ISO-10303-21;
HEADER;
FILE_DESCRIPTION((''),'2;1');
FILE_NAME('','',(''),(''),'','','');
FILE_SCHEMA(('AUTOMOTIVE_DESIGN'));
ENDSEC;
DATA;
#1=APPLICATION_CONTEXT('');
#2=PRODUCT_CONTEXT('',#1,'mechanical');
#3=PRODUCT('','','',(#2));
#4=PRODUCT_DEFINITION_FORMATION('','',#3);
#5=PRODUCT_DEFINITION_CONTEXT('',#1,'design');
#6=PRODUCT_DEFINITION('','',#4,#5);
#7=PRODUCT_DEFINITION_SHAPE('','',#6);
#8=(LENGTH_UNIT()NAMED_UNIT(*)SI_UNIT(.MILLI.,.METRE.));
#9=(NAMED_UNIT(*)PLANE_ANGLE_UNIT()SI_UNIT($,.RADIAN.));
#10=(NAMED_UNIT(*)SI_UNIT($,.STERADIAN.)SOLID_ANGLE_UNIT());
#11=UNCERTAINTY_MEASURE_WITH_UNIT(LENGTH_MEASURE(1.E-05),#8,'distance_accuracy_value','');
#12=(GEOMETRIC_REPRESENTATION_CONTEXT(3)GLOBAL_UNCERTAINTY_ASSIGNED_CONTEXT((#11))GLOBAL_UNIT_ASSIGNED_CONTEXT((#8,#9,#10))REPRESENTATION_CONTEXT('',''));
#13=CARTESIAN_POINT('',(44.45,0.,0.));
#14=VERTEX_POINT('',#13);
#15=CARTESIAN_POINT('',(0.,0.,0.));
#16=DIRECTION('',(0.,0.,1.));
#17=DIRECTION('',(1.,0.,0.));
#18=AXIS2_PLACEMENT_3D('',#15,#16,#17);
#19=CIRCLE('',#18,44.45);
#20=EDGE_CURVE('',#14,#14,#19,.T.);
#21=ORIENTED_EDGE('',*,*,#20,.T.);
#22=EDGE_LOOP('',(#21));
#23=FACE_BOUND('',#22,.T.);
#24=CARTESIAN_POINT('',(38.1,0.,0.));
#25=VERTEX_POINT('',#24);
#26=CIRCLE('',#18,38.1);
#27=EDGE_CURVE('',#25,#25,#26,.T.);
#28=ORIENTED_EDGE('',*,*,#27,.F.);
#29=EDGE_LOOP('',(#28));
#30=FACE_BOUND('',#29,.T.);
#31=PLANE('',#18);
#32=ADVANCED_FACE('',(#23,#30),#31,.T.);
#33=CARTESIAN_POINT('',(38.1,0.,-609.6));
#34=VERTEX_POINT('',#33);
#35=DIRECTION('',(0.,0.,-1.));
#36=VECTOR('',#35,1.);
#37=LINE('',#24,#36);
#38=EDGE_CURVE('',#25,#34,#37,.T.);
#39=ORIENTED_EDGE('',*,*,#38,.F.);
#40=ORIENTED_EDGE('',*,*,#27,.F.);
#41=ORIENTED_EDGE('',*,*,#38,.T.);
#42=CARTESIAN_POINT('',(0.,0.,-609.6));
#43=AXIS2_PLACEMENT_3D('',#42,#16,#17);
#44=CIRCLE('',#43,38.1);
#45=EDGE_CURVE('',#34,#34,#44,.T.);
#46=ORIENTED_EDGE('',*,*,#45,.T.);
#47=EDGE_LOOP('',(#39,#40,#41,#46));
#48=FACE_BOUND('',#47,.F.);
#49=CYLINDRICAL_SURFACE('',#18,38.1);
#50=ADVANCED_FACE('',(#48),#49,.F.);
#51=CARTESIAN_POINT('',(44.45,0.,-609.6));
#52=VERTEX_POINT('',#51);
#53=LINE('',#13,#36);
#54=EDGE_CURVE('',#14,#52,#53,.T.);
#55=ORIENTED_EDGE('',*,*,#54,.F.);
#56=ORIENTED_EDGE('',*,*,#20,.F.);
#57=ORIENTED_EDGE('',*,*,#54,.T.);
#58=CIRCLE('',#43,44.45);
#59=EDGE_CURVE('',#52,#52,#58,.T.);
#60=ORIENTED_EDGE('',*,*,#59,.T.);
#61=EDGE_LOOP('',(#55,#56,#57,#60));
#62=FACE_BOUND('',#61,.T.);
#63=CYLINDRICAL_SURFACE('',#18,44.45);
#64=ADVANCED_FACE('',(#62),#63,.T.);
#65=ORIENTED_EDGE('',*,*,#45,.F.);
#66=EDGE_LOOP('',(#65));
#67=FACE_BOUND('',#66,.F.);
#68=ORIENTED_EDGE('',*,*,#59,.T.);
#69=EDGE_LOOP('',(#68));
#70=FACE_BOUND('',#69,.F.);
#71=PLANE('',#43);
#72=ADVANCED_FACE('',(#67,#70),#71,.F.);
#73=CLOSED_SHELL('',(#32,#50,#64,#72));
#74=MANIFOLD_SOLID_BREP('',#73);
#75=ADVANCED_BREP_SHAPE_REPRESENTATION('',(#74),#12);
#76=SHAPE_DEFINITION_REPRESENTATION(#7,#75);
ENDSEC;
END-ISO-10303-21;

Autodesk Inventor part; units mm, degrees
ref_plane "YZ Plane" through (0, 0, 0) normal (1, 0, 0) x (0, 1, 0)
ref_plane "XZ Plane" through (0, 0, 0) normal (0, 1, 0) x (-1, 0, 0)
ref_plane "XY Plane" through (0, 0, 0) normal (0, 0, 1) x (1, 0, 0)
sketch "Sketch1" plane through (0, 0, 0) normal (0, 0, 1) x (1, 0, 0)
  circle A0 centre (0, 0) radius 44.45
  circle A1 centre (0, 0) radius 38.1
  dimension "d0" = 88.9
  dimension "d1" = 76.2
extrude "Extrusion1" add sketch "Sketch1" against normal blind 609.6
properties part number "3inchPvc24inchLong"
